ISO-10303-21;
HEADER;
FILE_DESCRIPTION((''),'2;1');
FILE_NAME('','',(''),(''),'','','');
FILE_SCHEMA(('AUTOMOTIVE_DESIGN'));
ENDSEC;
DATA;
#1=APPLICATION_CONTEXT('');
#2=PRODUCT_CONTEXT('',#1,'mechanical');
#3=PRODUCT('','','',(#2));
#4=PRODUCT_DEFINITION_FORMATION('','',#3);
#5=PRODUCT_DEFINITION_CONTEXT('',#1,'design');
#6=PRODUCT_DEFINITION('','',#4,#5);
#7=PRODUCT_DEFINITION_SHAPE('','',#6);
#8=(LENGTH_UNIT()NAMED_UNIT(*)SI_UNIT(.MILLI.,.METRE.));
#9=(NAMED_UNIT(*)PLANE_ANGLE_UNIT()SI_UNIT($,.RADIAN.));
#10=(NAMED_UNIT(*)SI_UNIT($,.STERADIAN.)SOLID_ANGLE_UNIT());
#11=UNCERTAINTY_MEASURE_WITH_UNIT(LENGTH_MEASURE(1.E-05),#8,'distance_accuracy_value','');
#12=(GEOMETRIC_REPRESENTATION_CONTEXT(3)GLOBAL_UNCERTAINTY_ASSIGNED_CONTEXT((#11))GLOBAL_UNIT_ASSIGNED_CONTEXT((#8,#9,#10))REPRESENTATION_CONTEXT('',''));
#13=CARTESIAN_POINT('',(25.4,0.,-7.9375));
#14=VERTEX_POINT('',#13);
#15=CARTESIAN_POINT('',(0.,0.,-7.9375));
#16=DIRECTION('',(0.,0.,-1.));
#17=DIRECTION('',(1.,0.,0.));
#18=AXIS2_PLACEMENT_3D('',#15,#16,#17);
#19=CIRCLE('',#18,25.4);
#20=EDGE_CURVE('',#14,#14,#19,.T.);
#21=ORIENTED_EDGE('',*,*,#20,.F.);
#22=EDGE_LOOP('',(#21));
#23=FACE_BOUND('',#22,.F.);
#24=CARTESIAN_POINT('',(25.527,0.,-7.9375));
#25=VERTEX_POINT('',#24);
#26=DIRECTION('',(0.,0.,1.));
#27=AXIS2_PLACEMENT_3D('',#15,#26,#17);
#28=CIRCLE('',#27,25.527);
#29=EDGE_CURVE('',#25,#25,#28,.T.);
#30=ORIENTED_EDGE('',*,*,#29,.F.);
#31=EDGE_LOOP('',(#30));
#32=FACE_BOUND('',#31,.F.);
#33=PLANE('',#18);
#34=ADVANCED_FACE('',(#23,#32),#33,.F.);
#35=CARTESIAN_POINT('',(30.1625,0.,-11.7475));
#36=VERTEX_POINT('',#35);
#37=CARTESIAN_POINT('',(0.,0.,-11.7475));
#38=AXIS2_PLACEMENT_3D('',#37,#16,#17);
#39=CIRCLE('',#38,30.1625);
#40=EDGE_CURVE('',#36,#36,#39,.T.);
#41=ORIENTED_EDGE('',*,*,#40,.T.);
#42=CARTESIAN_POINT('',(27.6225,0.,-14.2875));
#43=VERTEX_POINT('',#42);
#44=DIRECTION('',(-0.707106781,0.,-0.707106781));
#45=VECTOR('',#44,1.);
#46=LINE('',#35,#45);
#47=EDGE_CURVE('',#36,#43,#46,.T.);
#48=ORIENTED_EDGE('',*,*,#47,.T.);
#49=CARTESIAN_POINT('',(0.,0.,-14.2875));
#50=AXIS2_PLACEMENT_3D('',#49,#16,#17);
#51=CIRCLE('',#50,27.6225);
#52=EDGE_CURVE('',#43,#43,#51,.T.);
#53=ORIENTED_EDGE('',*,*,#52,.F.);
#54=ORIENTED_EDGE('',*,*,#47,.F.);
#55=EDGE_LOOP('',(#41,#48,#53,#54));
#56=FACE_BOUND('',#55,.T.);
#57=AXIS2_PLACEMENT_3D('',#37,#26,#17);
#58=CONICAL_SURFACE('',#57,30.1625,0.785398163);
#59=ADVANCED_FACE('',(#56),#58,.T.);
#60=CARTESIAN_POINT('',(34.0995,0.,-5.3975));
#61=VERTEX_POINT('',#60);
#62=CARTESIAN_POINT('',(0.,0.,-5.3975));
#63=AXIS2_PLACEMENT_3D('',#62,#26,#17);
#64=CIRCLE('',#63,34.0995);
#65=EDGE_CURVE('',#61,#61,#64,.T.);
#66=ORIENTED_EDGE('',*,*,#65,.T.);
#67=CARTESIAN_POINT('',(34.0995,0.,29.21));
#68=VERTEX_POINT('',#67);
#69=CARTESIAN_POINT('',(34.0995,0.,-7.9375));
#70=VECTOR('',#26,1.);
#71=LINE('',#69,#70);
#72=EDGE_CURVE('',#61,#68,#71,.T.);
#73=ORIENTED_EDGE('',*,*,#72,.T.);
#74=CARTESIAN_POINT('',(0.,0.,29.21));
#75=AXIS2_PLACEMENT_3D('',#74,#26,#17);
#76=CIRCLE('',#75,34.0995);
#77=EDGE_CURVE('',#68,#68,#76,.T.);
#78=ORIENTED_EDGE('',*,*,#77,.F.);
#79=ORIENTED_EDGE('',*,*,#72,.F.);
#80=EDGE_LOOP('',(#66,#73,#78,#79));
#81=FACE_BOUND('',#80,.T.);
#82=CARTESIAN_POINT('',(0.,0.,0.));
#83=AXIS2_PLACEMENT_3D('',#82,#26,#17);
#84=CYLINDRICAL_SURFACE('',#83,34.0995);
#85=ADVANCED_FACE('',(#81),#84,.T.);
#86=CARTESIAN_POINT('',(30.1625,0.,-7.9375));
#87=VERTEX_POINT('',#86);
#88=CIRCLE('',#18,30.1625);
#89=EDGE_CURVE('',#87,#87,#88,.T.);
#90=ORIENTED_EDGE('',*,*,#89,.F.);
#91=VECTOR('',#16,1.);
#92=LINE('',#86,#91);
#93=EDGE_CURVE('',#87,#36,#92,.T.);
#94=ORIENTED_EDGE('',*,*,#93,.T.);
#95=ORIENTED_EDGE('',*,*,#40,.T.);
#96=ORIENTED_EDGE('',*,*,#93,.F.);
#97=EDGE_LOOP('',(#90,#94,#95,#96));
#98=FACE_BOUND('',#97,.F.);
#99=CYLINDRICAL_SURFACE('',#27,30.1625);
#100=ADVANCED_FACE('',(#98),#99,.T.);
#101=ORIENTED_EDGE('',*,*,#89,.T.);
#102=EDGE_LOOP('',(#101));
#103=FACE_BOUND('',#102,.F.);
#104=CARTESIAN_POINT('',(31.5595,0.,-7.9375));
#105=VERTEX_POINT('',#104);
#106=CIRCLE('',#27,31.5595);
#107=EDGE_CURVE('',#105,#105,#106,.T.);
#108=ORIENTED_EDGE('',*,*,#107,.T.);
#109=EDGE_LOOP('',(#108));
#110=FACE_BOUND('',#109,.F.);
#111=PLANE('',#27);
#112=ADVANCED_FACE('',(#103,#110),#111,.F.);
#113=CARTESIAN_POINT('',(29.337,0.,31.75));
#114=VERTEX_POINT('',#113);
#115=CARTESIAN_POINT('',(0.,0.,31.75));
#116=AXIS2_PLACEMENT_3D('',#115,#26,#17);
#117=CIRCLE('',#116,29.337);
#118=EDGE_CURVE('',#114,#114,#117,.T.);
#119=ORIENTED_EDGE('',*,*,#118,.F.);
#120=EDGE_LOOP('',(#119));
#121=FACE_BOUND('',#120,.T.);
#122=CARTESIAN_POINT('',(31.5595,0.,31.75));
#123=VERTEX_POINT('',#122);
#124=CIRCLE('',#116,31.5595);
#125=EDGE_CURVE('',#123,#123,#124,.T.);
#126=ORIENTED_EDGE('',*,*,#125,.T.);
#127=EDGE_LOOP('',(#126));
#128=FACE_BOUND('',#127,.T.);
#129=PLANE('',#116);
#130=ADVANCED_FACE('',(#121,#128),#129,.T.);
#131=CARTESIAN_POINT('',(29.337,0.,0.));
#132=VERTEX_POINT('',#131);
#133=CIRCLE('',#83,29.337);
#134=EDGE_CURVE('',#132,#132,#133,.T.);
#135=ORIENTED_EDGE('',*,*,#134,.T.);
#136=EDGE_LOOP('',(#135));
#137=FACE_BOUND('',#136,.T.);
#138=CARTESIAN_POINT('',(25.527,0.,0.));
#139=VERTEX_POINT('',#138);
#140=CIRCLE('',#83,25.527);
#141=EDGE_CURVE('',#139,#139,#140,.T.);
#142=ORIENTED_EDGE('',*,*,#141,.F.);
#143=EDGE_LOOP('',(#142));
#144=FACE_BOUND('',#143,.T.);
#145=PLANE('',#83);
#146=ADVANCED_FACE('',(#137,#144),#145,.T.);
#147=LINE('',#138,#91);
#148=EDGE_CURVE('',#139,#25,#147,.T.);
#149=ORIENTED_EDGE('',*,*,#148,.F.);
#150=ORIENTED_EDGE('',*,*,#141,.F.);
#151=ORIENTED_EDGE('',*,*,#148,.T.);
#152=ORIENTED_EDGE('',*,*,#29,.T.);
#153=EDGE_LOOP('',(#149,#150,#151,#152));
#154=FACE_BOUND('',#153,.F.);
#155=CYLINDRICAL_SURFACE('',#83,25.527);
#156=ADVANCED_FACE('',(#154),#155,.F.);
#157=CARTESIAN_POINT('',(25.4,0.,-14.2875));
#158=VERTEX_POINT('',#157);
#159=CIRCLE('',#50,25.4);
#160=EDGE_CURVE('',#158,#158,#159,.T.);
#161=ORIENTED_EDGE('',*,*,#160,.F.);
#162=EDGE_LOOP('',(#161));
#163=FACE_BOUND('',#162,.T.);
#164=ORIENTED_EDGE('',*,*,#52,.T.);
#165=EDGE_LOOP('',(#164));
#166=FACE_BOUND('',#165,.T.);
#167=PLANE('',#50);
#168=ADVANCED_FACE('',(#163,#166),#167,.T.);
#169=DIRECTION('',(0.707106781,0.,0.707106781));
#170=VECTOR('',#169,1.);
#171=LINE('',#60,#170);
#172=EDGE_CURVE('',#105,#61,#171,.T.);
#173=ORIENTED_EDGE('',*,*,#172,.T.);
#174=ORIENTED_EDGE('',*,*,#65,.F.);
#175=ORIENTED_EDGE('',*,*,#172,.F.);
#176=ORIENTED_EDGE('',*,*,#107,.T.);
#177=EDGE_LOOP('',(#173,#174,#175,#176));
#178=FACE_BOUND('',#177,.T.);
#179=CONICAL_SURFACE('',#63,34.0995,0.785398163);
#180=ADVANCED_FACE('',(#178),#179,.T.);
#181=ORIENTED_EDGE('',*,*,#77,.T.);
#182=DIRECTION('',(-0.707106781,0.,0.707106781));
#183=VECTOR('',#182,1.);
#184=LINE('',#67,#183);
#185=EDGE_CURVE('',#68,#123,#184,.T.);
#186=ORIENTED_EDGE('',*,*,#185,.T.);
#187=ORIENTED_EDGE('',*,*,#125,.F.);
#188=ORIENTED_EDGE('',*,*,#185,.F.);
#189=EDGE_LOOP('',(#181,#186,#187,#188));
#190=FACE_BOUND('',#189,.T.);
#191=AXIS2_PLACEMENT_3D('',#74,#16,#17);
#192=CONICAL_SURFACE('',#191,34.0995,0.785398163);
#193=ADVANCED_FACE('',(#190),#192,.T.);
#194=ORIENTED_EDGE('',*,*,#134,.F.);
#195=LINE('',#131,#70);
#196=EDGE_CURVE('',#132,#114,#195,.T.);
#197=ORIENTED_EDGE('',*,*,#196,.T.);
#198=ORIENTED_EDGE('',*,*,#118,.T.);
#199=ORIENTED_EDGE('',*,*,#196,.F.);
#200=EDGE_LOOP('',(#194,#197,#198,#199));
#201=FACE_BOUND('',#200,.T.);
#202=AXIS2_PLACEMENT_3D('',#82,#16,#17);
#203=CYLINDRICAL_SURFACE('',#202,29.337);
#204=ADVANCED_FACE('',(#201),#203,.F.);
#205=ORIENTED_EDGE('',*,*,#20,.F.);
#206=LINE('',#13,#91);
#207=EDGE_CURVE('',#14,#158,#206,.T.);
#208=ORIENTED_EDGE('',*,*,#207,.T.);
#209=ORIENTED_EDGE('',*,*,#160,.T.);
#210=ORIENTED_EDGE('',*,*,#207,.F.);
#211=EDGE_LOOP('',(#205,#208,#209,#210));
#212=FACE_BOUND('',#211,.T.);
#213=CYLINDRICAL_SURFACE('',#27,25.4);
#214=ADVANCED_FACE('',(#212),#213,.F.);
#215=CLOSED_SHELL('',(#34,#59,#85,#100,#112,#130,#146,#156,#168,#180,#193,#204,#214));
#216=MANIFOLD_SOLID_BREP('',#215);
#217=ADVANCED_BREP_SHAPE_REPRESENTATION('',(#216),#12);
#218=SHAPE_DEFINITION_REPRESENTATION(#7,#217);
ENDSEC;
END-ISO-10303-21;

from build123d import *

# Parameters (mm, degrees)
F0_R     = 34.0995
F0_R_2   = 29.337
F1_DEPTH = 31.75
F0_R_3   = 25.527
F2_DEPTH = 7.9375
F3_R     = 30.1625
F3_R_2   = 25.4
F4_DEPTH = 6.35
F5_SIZE  = 2.54


with BuildPart() as f1:
    # F0 (on Top) → F1 (new body)
    with BuildSketch(Plane.XY):
        Circle(F0_R)
        Circle(F0_R_2, mode=Mode.SUBTRACT)
    extrude(amount=F1_DEPTH)

    # F0 (on Top) → F2 (join)
    with BuildSketch(Plane.XY):
        Circle(F0_R)
        Circle(F0_R_2, mode=Mode.SUBTRACT)
        Circle(F0_R_2)
        Circle(F0_R_3, mode=Mode.SUBTRACT)
    extrude(amount=-F2_DEPTH)

    # F3 (on face) → F4 (join)
    with BuildSketch(Plane(origin=(0, 0, -7.9375), x_dir=(1, 0, 0), z_dir=(0, 0, -1))):
        Circle(F3_R)
        Circle(F3_R_2, mode=Mode.SUBTRACT)
    extrude(amount=F4_DEPTH)

    # F5
    f5_edges = [f1.edges().sort_by_distance(p)[0] for p in [
        (-34.0995, 0, 31.75),
        (-34.0995, 0, -7.9375),
        (-30.1625, 0, -14.2875),
    ]]
    chamfer(f5_edges, length=F5_SIZE)


solid = f1.part
